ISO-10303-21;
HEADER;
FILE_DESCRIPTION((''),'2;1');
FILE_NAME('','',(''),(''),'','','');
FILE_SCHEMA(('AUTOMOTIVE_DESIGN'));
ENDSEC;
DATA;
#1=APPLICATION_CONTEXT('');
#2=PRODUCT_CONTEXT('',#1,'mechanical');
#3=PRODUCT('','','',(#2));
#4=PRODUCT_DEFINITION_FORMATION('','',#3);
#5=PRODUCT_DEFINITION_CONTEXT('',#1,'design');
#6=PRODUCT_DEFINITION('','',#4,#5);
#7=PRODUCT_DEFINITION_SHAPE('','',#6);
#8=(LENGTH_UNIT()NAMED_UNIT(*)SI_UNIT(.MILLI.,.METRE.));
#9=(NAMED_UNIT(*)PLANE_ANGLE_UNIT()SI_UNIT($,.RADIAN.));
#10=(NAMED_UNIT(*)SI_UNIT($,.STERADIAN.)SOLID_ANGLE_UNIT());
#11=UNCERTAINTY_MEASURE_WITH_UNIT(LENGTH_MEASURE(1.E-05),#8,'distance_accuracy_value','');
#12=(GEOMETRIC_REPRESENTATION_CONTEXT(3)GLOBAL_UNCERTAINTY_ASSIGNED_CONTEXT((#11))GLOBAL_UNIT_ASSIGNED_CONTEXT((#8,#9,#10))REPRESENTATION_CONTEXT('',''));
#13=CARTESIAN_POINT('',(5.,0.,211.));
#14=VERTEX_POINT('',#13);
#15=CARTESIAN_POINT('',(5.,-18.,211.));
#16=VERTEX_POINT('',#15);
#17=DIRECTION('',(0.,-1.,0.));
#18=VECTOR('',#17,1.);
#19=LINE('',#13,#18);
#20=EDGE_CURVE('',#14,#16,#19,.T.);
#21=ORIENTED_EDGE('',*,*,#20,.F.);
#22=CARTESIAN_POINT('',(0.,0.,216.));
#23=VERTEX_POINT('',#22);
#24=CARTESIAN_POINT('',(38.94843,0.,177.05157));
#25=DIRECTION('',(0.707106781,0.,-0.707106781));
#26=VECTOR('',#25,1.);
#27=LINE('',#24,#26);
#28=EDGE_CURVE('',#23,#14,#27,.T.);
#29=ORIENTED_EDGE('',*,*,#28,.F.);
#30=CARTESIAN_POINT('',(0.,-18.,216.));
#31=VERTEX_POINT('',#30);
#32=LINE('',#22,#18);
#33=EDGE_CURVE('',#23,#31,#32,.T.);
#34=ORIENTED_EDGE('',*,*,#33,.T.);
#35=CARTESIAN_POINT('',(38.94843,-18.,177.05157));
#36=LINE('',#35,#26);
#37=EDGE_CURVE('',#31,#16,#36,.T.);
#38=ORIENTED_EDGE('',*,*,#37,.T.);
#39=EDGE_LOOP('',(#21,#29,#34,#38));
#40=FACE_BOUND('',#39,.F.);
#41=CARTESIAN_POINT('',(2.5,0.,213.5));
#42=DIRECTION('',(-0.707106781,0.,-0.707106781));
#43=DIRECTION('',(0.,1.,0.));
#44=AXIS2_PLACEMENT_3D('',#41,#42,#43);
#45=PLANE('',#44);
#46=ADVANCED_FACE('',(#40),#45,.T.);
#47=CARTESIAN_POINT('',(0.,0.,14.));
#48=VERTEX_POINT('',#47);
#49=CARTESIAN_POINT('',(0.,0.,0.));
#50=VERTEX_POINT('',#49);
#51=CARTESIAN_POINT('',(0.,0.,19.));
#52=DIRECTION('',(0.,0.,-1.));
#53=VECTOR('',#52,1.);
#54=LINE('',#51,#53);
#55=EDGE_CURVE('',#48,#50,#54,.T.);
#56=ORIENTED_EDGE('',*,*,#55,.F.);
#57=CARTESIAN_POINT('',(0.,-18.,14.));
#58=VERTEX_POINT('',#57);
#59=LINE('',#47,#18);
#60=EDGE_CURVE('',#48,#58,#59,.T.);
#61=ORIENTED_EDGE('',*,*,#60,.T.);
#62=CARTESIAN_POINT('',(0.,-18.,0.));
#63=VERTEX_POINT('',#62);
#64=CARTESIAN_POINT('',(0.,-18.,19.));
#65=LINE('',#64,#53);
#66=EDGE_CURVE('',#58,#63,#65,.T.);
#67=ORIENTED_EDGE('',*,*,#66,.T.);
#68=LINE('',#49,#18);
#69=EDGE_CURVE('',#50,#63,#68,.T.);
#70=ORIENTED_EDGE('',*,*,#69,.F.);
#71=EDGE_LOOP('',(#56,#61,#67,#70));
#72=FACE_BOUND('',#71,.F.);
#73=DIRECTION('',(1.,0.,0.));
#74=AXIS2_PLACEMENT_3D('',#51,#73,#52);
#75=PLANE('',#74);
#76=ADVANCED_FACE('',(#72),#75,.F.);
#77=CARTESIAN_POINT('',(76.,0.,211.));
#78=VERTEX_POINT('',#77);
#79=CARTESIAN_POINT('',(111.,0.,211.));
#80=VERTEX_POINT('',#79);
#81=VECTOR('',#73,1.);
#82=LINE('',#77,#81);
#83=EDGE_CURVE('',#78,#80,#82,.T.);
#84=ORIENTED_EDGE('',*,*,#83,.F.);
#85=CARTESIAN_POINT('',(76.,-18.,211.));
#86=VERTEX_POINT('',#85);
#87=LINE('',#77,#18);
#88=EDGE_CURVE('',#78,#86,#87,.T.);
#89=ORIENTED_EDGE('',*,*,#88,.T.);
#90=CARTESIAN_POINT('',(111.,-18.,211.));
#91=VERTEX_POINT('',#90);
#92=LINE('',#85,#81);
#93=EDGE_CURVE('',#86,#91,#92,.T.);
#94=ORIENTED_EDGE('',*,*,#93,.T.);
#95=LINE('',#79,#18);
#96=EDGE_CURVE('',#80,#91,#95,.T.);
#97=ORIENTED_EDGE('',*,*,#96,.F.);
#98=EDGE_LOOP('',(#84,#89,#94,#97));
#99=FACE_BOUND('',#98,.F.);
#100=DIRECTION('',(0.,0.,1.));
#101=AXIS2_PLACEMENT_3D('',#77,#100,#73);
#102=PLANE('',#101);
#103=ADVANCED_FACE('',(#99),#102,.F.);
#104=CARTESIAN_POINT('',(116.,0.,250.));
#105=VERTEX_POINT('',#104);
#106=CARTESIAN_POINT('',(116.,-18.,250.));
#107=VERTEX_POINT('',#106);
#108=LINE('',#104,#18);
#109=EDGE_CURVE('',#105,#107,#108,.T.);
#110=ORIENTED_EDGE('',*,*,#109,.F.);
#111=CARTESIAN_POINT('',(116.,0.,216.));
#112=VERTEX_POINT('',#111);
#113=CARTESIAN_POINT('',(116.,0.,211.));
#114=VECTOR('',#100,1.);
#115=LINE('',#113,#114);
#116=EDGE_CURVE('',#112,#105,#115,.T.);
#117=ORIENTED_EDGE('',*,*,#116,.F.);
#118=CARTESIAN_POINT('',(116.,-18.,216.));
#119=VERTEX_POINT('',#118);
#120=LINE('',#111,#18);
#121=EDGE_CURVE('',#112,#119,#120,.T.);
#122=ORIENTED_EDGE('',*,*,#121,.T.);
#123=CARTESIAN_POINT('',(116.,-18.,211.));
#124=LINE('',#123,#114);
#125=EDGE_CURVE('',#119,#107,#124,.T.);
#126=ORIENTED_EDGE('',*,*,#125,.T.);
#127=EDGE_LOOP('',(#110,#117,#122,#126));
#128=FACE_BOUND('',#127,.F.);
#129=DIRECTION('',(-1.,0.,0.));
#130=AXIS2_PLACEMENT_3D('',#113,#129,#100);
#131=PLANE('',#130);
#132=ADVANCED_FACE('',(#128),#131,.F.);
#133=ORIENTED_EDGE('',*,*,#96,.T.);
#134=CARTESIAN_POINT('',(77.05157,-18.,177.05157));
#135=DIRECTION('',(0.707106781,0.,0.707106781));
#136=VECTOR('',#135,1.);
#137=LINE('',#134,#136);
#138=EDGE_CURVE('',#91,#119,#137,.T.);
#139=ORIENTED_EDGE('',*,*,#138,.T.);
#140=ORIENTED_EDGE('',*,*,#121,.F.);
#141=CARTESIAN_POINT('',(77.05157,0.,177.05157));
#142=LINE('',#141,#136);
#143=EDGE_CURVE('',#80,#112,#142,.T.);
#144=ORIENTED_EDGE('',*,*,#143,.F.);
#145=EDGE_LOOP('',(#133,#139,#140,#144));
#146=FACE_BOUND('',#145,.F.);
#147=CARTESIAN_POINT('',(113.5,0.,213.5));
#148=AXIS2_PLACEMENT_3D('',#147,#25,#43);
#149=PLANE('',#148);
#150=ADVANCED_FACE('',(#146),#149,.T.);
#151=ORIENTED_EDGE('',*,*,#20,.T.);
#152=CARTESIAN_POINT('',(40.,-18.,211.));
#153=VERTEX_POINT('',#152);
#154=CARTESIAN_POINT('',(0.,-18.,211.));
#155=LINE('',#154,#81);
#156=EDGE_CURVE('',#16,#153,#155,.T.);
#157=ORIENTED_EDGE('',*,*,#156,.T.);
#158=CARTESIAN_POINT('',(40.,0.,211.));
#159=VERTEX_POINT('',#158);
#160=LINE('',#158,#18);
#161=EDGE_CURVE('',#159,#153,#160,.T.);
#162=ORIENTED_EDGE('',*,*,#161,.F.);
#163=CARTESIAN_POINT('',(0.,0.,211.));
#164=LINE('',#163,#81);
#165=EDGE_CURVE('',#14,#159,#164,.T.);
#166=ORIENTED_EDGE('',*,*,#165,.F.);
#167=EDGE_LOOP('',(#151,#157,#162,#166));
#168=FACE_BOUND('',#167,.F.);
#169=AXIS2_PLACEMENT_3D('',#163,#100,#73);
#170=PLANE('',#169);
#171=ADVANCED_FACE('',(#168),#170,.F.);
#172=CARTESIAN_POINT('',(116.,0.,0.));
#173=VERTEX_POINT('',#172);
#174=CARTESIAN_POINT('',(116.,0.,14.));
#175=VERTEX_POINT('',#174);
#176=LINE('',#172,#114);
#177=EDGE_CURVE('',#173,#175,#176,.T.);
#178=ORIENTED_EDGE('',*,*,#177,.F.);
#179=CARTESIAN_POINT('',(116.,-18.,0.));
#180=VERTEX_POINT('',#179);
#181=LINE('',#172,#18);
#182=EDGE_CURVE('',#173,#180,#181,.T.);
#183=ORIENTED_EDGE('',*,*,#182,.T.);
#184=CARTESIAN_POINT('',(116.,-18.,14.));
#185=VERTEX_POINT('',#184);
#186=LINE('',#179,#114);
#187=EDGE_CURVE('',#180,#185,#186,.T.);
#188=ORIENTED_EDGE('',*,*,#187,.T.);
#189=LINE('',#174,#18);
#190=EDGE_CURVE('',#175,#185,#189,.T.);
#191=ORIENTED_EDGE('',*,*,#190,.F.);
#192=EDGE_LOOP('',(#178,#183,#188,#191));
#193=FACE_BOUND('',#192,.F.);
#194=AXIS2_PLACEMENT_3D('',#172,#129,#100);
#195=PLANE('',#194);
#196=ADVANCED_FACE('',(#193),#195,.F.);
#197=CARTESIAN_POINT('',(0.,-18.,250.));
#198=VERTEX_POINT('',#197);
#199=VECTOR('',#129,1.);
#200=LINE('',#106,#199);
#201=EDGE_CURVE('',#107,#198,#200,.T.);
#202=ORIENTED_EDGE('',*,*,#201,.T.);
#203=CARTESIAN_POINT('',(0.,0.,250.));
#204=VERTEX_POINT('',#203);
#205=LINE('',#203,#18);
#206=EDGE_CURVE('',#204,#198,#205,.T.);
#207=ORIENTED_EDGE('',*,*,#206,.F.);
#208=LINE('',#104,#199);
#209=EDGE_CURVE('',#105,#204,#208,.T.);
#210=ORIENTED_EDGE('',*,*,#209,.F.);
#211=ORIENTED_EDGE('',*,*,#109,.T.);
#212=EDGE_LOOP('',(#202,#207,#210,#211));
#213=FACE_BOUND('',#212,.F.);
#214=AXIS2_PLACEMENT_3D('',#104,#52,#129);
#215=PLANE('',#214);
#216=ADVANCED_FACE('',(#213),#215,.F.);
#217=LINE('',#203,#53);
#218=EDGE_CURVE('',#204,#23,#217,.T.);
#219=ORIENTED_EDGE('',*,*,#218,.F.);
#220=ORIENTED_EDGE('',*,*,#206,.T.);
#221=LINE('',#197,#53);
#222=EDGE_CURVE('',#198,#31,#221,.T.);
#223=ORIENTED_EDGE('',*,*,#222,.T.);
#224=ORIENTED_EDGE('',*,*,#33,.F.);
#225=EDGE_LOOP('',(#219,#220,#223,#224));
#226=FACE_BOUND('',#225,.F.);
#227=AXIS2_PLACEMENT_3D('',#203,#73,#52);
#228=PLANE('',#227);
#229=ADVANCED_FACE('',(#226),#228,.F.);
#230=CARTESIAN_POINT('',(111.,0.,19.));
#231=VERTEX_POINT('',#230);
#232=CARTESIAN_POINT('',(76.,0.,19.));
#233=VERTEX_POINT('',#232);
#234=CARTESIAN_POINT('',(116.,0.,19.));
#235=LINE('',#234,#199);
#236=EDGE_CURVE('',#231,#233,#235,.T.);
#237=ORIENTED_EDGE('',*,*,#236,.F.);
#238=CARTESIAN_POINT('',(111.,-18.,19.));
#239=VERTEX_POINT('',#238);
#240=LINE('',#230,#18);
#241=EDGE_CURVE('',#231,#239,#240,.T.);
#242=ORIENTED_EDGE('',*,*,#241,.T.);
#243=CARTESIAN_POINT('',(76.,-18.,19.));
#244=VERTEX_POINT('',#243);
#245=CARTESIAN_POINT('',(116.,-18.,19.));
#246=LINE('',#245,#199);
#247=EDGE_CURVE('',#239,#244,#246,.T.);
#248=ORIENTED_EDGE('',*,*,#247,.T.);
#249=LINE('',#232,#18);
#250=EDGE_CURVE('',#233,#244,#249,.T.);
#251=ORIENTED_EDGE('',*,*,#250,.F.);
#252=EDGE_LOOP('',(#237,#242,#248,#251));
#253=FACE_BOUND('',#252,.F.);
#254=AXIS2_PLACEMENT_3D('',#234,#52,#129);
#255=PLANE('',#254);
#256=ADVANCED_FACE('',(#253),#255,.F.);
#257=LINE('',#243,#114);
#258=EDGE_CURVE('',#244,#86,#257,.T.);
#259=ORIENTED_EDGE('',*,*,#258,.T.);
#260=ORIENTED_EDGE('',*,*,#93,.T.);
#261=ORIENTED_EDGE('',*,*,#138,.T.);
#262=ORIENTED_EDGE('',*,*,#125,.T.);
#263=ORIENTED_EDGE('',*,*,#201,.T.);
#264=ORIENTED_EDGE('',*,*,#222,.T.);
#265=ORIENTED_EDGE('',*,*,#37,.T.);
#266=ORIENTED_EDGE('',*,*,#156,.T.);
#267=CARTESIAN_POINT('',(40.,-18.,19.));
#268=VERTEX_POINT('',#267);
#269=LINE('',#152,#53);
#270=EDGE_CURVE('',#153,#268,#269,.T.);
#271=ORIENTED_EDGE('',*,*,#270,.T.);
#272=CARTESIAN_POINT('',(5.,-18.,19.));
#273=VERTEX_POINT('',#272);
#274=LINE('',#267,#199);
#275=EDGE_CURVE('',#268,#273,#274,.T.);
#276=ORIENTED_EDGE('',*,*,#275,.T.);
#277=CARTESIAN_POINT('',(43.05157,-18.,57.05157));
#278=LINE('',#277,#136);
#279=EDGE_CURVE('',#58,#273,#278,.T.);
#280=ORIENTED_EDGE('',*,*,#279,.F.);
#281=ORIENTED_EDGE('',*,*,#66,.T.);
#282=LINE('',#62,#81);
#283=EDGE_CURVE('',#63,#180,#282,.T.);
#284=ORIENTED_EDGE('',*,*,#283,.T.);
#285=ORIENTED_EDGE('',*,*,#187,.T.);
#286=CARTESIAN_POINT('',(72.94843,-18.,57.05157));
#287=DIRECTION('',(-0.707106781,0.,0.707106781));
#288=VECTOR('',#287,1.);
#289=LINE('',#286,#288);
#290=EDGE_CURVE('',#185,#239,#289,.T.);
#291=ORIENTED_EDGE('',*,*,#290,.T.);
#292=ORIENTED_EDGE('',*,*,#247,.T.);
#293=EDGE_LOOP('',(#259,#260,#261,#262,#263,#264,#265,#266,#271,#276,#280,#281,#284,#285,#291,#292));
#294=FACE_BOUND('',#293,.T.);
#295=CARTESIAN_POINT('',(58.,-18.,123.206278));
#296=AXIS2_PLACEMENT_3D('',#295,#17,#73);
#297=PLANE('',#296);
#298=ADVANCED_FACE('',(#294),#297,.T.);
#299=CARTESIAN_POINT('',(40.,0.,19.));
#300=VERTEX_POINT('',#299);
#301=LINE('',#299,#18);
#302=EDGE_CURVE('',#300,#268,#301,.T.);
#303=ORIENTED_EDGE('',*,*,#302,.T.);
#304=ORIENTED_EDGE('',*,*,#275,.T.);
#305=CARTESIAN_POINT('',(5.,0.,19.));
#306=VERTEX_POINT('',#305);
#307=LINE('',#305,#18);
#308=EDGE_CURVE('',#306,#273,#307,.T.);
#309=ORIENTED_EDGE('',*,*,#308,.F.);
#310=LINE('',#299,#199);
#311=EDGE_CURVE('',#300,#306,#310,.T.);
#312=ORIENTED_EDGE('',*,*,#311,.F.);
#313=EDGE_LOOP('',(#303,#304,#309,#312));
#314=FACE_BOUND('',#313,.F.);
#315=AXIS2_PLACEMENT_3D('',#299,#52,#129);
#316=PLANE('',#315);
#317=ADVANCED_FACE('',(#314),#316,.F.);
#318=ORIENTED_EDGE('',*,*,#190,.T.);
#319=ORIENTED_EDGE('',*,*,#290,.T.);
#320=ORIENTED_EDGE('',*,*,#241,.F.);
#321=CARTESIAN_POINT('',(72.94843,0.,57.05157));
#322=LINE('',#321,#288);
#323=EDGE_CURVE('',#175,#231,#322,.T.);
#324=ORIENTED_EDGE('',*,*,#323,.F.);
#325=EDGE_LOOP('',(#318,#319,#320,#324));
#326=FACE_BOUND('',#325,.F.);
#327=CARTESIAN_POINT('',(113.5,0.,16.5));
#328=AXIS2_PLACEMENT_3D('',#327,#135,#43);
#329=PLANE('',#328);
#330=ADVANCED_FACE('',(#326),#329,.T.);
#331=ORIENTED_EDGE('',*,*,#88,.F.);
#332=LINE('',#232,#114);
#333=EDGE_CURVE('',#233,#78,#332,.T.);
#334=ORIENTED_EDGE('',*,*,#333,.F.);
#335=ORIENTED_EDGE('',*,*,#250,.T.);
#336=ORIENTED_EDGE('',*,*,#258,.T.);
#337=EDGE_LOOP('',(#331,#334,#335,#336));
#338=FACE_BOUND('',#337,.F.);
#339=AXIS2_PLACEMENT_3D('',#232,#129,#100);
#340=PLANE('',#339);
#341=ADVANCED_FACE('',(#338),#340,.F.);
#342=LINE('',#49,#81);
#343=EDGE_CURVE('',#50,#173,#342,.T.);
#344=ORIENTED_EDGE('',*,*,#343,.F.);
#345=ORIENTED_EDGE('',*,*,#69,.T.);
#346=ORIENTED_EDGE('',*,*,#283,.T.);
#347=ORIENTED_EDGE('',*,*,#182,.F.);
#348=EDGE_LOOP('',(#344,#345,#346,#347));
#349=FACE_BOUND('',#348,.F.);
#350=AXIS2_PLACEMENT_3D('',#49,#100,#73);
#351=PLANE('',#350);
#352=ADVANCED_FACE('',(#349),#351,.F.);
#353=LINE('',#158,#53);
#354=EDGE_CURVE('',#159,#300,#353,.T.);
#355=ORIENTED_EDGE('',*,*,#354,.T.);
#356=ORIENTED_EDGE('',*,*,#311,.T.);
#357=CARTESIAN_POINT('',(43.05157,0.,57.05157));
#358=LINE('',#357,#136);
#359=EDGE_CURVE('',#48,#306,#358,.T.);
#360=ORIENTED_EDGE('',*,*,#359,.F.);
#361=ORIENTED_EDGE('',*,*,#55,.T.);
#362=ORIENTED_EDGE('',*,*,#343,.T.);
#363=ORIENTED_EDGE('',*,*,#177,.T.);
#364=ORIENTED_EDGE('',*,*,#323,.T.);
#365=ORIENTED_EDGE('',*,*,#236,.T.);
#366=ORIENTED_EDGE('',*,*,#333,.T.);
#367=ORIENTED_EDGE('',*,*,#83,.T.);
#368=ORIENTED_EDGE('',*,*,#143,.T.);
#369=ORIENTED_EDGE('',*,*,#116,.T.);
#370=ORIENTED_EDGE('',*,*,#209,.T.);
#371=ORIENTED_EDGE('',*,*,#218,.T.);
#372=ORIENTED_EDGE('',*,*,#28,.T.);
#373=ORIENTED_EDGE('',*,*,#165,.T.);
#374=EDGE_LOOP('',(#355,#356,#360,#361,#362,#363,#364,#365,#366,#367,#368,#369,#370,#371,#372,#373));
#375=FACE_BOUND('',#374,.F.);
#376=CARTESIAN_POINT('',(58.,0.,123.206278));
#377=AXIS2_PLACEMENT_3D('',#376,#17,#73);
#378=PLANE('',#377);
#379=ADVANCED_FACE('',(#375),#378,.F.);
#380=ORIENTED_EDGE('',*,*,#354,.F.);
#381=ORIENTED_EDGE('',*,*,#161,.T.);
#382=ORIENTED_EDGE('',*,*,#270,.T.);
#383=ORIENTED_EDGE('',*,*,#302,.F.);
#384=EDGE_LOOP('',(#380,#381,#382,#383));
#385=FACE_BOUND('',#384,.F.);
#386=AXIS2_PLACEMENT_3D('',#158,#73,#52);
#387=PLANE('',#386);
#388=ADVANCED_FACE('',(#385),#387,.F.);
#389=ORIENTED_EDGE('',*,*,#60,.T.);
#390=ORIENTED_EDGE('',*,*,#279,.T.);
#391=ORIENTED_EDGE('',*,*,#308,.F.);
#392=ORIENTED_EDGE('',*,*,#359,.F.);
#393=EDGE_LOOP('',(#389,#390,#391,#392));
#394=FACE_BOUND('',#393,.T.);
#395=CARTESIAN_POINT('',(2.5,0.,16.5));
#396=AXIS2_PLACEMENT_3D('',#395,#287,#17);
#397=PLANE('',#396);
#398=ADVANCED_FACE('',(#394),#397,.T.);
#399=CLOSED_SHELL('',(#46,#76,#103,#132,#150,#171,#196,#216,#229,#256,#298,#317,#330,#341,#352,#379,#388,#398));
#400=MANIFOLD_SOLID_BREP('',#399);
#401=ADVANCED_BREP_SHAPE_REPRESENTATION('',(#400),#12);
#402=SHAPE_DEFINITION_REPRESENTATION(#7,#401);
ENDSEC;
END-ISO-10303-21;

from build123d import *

# Parameters (mm, degrees)
F1_DEPTH = 18
F2_SIZE  = 5


with BuildPart() as f1:
    # F0 (on Front) → F1 (new body)
    with BuildSketch(Plane.XZ):
        Polygon((0, 19), (0, 0), (116, 0), (116, 19), (76, 19), (76, 211), (116, 211), (116, 250), (0, 250), (0, 211), (40, 211), (40, 19), align=None)
    extrude(amount=F1_DEPTH)

    # F2
    f2_edges = [f1.edges().sort_by_distance(p)[0] for p in [
        (0, -9, 211),
        (0, -9, 19),
        (116, -9, 19),
        (116, -9, 211),
    ]]
    chamfer(f2_edges, length=F2_SIZE)


solid = f1.part
